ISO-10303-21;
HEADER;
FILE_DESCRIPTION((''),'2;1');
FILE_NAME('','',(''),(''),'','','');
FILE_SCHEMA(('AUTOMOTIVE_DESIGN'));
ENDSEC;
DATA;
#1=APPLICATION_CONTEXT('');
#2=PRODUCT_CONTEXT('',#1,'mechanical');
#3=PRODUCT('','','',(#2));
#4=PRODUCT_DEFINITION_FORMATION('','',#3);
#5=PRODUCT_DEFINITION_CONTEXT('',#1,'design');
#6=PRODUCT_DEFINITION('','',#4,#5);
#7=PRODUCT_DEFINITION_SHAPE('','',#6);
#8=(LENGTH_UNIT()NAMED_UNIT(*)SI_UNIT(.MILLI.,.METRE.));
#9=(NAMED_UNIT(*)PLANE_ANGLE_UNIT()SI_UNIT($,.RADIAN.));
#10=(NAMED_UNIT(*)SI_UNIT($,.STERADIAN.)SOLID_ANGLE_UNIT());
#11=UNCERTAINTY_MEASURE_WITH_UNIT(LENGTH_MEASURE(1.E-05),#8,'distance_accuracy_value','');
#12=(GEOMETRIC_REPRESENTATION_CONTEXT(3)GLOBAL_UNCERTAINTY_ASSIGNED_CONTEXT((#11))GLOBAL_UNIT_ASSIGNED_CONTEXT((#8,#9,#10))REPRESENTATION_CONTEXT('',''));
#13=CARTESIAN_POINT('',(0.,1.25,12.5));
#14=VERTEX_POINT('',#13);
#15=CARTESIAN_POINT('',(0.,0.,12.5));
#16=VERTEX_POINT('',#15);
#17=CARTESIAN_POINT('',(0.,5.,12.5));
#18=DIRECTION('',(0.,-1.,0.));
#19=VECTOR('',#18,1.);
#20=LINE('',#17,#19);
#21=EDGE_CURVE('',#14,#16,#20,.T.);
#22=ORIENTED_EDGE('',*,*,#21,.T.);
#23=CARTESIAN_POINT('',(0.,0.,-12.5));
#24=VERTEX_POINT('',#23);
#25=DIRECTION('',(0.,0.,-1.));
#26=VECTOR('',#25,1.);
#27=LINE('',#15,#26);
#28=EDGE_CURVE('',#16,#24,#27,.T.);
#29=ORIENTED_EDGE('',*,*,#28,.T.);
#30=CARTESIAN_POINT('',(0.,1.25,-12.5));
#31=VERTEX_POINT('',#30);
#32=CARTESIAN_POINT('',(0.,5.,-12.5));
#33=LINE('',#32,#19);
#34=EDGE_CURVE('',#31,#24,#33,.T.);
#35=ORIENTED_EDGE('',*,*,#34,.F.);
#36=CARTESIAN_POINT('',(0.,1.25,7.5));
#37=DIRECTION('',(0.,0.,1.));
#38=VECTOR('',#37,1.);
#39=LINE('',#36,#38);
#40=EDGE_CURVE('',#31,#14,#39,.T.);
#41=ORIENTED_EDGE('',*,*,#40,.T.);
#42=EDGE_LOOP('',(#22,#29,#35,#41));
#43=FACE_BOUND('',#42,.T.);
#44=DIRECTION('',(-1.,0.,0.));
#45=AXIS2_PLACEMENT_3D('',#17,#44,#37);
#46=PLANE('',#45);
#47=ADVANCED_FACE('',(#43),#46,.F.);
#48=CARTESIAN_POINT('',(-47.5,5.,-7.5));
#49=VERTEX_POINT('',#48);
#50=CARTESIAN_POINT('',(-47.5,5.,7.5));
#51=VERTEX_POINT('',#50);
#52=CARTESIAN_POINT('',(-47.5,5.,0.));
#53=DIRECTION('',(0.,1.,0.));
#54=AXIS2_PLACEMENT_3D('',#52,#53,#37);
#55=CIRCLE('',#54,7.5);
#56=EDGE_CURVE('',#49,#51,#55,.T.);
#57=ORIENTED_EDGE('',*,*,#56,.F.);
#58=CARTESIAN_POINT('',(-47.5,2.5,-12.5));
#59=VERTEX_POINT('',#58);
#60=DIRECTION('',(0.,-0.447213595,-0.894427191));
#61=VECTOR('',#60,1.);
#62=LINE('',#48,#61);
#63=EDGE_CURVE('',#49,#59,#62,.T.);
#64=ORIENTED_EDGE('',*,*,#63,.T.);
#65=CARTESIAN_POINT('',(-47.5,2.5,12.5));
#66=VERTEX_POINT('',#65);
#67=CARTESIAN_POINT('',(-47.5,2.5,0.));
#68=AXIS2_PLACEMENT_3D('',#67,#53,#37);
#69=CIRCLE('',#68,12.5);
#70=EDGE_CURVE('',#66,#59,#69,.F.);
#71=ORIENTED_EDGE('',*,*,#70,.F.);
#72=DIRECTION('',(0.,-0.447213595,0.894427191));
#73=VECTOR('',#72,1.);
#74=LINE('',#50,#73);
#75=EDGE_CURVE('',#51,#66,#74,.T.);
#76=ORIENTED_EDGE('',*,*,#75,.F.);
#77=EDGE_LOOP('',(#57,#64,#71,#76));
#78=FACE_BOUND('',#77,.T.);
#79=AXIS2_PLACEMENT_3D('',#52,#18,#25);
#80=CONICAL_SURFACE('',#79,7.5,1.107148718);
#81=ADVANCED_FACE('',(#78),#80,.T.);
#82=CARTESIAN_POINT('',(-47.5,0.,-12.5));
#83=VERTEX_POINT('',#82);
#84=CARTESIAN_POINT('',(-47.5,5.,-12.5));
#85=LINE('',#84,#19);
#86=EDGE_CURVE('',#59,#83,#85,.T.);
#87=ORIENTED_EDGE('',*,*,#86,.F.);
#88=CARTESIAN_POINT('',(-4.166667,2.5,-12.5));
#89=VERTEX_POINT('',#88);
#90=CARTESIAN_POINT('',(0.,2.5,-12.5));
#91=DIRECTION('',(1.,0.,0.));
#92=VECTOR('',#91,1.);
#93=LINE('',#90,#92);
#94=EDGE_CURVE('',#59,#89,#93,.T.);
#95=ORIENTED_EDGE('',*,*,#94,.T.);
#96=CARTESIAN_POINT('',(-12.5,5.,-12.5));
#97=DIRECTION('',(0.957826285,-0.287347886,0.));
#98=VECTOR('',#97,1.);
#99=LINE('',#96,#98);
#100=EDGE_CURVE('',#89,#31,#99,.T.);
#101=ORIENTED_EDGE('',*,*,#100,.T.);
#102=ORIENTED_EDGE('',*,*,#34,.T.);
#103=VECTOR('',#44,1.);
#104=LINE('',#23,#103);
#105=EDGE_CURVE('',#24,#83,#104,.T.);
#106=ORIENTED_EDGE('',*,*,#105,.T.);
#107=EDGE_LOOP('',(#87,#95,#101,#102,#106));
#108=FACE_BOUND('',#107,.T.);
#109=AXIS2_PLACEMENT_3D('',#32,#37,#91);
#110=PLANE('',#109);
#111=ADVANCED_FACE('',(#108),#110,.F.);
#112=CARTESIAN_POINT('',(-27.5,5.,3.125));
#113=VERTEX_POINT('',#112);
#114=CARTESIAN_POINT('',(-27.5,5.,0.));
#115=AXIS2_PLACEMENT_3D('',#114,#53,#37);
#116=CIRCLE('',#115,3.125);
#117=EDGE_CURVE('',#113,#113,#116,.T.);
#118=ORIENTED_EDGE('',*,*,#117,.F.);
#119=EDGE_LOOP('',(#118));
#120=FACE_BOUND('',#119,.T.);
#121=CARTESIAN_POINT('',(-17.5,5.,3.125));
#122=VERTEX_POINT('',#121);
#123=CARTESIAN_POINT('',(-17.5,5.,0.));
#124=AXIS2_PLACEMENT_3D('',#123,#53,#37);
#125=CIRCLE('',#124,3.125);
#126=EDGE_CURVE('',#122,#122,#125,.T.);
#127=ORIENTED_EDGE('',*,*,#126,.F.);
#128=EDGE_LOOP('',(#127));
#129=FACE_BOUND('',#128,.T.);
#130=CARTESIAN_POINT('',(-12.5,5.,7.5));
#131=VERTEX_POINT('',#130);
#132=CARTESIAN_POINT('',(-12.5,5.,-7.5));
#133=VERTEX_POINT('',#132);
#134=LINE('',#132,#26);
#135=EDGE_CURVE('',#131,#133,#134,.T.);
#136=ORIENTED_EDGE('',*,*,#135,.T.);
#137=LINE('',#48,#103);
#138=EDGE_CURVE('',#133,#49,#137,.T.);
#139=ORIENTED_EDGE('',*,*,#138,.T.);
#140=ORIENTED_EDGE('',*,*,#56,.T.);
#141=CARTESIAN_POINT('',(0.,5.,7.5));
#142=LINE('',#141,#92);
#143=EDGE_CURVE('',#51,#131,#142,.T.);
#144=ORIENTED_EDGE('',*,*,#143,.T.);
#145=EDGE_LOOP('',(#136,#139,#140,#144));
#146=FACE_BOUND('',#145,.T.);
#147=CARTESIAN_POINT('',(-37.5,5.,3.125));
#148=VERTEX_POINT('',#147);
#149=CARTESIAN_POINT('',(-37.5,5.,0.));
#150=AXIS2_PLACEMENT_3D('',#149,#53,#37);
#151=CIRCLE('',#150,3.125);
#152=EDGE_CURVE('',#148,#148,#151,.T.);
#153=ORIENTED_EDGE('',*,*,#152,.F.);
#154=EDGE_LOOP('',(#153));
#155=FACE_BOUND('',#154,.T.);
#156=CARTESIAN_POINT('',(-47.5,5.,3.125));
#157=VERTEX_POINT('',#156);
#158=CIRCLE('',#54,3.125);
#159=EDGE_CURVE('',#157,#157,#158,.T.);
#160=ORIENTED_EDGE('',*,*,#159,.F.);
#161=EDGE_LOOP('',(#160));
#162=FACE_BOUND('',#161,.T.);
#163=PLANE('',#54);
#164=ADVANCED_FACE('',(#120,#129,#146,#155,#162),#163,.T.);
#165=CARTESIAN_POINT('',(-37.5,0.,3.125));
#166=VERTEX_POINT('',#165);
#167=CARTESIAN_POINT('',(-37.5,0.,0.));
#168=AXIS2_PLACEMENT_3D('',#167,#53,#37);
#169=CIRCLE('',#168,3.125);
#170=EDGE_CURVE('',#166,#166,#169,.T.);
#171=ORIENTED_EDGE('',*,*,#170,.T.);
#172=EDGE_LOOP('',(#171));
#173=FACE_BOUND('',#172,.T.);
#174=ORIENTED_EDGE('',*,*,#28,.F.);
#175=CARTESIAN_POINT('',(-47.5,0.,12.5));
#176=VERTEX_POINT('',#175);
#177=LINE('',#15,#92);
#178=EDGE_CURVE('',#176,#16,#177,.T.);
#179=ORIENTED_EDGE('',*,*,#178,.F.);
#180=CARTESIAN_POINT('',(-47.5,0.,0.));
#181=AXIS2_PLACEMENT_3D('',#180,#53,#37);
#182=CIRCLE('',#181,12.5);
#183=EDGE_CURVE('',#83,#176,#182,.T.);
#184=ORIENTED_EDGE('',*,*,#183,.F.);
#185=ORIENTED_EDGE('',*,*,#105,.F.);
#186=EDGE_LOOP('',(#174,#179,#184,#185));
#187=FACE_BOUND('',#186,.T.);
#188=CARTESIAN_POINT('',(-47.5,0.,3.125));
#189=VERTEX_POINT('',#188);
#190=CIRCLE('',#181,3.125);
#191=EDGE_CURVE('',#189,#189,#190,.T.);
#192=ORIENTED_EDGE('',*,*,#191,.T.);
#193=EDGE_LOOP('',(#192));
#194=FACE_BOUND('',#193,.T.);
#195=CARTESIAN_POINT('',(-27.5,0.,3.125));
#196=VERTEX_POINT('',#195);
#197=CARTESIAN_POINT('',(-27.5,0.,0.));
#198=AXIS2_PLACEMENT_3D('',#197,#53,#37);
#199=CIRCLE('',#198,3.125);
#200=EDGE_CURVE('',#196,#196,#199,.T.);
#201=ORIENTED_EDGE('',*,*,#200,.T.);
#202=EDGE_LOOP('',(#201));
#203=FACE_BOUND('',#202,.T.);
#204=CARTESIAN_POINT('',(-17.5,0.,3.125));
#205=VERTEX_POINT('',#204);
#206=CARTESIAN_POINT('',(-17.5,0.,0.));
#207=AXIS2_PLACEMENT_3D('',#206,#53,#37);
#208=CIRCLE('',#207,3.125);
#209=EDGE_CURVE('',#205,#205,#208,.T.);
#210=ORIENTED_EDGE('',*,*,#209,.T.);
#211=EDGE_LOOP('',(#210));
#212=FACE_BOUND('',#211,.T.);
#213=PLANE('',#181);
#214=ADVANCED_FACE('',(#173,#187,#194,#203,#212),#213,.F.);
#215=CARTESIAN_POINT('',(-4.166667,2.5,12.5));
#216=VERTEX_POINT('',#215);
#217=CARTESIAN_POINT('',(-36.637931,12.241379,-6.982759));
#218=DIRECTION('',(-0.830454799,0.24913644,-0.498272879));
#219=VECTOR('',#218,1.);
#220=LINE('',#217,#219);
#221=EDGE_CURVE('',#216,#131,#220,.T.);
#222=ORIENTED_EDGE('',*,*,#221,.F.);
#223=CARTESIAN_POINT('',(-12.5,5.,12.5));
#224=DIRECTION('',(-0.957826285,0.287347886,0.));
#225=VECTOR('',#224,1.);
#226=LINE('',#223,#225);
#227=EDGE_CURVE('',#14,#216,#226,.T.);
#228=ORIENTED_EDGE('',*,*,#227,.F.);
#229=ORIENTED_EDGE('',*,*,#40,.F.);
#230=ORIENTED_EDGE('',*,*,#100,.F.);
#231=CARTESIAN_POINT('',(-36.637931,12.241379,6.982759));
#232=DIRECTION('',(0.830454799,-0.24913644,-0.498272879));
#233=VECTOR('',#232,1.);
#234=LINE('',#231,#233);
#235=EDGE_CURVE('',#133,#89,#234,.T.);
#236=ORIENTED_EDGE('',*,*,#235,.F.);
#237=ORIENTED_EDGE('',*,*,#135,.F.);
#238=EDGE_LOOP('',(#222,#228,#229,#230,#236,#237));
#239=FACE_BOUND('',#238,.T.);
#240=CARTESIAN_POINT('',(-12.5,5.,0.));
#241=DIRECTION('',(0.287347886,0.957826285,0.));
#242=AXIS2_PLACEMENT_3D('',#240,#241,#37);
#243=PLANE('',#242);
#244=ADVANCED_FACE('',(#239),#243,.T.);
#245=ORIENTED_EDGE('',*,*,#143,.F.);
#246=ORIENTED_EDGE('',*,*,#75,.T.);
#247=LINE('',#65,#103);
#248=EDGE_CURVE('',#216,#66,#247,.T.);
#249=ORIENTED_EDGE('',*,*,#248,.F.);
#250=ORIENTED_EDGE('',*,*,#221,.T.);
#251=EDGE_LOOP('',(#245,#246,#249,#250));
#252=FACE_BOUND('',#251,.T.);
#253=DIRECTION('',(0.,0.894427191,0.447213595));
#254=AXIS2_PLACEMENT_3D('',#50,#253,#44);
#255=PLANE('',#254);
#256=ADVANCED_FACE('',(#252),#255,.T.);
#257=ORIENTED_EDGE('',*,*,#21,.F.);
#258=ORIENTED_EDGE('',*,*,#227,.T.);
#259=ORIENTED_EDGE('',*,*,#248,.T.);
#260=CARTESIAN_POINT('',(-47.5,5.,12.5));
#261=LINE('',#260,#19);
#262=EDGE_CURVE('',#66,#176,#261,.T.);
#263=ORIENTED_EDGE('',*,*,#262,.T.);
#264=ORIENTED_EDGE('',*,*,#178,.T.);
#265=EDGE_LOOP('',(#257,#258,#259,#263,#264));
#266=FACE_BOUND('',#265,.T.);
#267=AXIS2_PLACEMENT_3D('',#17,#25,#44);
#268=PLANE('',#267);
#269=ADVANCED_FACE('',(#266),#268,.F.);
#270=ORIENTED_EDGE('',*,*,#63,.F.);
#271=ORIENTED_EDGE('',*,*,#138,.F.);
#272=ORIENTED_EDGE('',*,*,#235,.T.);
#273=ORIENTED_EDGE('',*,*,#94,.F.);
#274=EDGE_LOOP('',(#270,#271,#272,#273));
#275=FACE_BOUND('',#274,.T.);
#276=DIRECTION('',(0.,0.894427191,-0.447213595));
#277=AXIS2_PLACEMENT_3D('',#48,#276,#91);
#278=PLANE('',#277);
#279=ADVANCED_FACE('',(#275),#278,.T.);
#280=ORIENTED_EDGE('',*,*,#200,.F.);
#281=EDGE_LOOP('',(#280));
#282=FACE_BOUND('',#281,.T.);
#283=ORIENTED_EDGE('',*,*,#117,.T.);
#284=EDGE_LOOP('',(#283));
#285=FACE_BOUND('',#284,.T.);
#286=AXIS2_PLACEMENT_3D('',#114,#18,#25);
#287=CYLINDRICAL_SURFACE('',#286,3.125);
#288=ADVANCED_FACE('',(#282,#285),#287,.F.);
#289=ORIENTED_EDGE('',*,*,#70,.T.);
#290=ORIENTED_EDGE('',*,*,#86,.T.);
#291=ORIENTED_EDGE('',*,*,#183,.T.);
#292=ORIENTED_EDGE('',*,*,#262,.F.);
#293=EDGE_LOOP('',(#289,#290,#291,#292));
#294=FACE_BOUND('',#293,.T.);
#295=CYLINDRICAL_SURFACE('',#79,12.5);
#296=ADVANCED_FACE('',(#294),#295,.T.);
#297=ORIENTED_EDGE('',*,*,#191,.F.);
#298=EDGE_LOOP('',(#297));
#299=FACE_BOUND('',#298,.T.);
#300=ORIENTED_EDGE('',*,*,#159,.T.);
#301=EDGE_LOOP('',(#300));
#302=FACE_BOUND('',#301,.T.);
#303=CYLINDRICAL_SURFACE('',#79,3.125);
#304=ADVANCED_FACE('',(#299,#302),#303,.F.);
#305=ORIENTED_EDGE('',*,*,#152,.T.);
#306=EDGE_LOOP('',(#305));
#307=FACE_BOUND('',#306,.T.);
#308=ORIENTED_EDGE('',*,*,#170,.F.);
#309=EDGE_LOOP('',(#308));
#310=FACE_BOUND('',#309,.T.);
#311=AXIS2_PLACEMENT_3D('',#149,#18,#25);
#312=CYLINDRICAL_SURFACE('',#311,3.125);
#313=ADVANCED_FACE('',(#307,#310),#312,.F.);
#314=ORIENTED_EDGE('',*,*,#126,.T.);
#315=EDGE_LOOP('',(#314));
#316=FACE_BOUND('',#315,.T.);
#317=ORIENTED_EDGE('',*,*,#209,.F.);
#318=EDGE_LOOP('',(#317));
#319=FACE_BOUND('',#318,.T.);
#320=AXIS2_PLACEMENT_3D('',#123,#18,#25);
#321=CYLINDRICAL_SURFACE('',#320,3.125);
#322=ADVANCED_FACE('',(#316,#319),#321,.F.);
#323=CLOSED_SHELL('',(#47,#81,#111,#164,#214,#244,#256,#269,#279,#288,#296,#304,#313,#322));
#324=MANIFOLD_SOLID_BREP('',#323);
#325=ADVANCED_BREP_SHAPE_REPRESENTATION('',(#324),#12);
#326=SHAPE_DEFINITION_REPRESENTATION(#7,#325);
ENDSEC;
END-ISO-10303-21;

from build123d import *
from OCP.BRepFilletAPI import BRepFilletAPI_MakeChamfer

# Parameters (mm, degrees)
SKETCH1_R           = 3.125
BOSS_EXTRUDE1_DEPTH = 5
CHAMFER1_SIZE       = 2.5
CHAMFER1_SIZE2      = 5
CHAMFER2_SIZE       = 3.75
CHAMFER2_SIZE2      = 12.5


with BuildPart() as part:
    # Sketch1 → Boss-Extrude1 (new body)
    with BuildSketch(Plane(origin=(0, 0, 0), x_dir=(1, 0, 0), z_dir=(0, 1, 0))):
        with BuildLine():
            Line((0, -12.5), (0, 12.5))
            Line((0, 12.5), (-47.5, 12.5))
            ThreePointArc((-47.5, 12.5), (-60, 0), (-47.5, -12.5))
            Line((-47.5, -12.5), (0, -12.5))
        make_face()
        with Locations(Location((-47.5, 0, 0), (0, 0, 270))):
            Circle(SKETCH1_R, mode=Mode.SUBTRACT)
        with Locations(Location((-37.5, 0, 0), (0, 0, 270))):
            Circle(SKETCH1_R, mode=Mode.SUBTRACT)
        with Locations(Location((-27.5, 0, 0), (0, 0, 270))):
            Circle(SKETCH1_R, mode=Mode.SUBTRACT)
        with Locations(Location((-17.5, 0, 0), (0, 0, 270))):
            Circle(SKETCH1_R, mode=Mode.SUBTRACT)
    extrude(amount=BOSS_EXTRUDE1_DEPTH)

    # Chamfer1: one chamfer whose edges measure the first distance from different faces: ONE call of the kernel's chamfer builder (chamfer() names one face for all edges)
    chamfer1_edges_1 = [part.edges().sort_by_distance(p)[0] for p in [
        (-23.75, 5, -12.5),
    ]]
    chamfer1_side_1 = [part.faces().sort_by_distance(p)[0] for p in [
        (-23.75, 2.5, -12.5),
    ]]
    chamfer1_edges_2 = [part.edges().sort_by_distance(p)[0] for p in [
        (-60, 5, 0),
    ]]
    chamfer1_side_2 = [part.faces().sort_by_distance(p)[0] for p in [
        (-60, 2.5, 0),
    ]]
    chamfer1_edges_3 = [part.edges().sort_by_distance(p)[0] for p in [
        (-23.75, 5, 12.5),
    ]]
    chamfer1_side_3 = [part.faces().sort_by_distance(p)[0] for p in [
        (-23.75, 2.5, 12.5),
    ]]
    chamfer1 = BRepFilletAPI_MakeChamfer(part.part.solid().wrapped)
    for e in chamfer1_edges_1:
        chamfer1.Add(CHAMFER1_SIZE, CHAMFER1_SIZE2, e.wrapped, chamfer1_side_1[0].wrapped)  # the first distance lies on this face
    for e in chamfer1_edges_2:
        chamfer1.Add(CHAMFER1_SIZE, CHAMFER1_SIZE2, e.wrapped, chamfer1_side_2[0].wrapped)  # the first distance lies on this face
    for e in chamfer1_edges_3:
        chamfer1.Add(CHAMFER1_SIZE, CHAMFER1_SIZE2, e.wrapped, chamfer1_side_3[0].wrapped)  # the first distance lies on this face
    add(Compound.cast(chamfer1.Shape()), mode=Mode.REPLACE)

    # Chamfer2
    chamfer2_edges = [part.edges().sort_by_distance(p)[0] for p in [
        (0, 5, 0),
    ]]
    chamfer2_side = [part.faces().sort_by_distance(p)[0] for p in [
        (0, 2.314814815, 0),
    ]]
    chamfer(chamfer2_edges, length=CHAMFER2_SIZE, length2=CHAMFER2_SIZE2, reference=chamfer2_side[0])


solid = part.part
